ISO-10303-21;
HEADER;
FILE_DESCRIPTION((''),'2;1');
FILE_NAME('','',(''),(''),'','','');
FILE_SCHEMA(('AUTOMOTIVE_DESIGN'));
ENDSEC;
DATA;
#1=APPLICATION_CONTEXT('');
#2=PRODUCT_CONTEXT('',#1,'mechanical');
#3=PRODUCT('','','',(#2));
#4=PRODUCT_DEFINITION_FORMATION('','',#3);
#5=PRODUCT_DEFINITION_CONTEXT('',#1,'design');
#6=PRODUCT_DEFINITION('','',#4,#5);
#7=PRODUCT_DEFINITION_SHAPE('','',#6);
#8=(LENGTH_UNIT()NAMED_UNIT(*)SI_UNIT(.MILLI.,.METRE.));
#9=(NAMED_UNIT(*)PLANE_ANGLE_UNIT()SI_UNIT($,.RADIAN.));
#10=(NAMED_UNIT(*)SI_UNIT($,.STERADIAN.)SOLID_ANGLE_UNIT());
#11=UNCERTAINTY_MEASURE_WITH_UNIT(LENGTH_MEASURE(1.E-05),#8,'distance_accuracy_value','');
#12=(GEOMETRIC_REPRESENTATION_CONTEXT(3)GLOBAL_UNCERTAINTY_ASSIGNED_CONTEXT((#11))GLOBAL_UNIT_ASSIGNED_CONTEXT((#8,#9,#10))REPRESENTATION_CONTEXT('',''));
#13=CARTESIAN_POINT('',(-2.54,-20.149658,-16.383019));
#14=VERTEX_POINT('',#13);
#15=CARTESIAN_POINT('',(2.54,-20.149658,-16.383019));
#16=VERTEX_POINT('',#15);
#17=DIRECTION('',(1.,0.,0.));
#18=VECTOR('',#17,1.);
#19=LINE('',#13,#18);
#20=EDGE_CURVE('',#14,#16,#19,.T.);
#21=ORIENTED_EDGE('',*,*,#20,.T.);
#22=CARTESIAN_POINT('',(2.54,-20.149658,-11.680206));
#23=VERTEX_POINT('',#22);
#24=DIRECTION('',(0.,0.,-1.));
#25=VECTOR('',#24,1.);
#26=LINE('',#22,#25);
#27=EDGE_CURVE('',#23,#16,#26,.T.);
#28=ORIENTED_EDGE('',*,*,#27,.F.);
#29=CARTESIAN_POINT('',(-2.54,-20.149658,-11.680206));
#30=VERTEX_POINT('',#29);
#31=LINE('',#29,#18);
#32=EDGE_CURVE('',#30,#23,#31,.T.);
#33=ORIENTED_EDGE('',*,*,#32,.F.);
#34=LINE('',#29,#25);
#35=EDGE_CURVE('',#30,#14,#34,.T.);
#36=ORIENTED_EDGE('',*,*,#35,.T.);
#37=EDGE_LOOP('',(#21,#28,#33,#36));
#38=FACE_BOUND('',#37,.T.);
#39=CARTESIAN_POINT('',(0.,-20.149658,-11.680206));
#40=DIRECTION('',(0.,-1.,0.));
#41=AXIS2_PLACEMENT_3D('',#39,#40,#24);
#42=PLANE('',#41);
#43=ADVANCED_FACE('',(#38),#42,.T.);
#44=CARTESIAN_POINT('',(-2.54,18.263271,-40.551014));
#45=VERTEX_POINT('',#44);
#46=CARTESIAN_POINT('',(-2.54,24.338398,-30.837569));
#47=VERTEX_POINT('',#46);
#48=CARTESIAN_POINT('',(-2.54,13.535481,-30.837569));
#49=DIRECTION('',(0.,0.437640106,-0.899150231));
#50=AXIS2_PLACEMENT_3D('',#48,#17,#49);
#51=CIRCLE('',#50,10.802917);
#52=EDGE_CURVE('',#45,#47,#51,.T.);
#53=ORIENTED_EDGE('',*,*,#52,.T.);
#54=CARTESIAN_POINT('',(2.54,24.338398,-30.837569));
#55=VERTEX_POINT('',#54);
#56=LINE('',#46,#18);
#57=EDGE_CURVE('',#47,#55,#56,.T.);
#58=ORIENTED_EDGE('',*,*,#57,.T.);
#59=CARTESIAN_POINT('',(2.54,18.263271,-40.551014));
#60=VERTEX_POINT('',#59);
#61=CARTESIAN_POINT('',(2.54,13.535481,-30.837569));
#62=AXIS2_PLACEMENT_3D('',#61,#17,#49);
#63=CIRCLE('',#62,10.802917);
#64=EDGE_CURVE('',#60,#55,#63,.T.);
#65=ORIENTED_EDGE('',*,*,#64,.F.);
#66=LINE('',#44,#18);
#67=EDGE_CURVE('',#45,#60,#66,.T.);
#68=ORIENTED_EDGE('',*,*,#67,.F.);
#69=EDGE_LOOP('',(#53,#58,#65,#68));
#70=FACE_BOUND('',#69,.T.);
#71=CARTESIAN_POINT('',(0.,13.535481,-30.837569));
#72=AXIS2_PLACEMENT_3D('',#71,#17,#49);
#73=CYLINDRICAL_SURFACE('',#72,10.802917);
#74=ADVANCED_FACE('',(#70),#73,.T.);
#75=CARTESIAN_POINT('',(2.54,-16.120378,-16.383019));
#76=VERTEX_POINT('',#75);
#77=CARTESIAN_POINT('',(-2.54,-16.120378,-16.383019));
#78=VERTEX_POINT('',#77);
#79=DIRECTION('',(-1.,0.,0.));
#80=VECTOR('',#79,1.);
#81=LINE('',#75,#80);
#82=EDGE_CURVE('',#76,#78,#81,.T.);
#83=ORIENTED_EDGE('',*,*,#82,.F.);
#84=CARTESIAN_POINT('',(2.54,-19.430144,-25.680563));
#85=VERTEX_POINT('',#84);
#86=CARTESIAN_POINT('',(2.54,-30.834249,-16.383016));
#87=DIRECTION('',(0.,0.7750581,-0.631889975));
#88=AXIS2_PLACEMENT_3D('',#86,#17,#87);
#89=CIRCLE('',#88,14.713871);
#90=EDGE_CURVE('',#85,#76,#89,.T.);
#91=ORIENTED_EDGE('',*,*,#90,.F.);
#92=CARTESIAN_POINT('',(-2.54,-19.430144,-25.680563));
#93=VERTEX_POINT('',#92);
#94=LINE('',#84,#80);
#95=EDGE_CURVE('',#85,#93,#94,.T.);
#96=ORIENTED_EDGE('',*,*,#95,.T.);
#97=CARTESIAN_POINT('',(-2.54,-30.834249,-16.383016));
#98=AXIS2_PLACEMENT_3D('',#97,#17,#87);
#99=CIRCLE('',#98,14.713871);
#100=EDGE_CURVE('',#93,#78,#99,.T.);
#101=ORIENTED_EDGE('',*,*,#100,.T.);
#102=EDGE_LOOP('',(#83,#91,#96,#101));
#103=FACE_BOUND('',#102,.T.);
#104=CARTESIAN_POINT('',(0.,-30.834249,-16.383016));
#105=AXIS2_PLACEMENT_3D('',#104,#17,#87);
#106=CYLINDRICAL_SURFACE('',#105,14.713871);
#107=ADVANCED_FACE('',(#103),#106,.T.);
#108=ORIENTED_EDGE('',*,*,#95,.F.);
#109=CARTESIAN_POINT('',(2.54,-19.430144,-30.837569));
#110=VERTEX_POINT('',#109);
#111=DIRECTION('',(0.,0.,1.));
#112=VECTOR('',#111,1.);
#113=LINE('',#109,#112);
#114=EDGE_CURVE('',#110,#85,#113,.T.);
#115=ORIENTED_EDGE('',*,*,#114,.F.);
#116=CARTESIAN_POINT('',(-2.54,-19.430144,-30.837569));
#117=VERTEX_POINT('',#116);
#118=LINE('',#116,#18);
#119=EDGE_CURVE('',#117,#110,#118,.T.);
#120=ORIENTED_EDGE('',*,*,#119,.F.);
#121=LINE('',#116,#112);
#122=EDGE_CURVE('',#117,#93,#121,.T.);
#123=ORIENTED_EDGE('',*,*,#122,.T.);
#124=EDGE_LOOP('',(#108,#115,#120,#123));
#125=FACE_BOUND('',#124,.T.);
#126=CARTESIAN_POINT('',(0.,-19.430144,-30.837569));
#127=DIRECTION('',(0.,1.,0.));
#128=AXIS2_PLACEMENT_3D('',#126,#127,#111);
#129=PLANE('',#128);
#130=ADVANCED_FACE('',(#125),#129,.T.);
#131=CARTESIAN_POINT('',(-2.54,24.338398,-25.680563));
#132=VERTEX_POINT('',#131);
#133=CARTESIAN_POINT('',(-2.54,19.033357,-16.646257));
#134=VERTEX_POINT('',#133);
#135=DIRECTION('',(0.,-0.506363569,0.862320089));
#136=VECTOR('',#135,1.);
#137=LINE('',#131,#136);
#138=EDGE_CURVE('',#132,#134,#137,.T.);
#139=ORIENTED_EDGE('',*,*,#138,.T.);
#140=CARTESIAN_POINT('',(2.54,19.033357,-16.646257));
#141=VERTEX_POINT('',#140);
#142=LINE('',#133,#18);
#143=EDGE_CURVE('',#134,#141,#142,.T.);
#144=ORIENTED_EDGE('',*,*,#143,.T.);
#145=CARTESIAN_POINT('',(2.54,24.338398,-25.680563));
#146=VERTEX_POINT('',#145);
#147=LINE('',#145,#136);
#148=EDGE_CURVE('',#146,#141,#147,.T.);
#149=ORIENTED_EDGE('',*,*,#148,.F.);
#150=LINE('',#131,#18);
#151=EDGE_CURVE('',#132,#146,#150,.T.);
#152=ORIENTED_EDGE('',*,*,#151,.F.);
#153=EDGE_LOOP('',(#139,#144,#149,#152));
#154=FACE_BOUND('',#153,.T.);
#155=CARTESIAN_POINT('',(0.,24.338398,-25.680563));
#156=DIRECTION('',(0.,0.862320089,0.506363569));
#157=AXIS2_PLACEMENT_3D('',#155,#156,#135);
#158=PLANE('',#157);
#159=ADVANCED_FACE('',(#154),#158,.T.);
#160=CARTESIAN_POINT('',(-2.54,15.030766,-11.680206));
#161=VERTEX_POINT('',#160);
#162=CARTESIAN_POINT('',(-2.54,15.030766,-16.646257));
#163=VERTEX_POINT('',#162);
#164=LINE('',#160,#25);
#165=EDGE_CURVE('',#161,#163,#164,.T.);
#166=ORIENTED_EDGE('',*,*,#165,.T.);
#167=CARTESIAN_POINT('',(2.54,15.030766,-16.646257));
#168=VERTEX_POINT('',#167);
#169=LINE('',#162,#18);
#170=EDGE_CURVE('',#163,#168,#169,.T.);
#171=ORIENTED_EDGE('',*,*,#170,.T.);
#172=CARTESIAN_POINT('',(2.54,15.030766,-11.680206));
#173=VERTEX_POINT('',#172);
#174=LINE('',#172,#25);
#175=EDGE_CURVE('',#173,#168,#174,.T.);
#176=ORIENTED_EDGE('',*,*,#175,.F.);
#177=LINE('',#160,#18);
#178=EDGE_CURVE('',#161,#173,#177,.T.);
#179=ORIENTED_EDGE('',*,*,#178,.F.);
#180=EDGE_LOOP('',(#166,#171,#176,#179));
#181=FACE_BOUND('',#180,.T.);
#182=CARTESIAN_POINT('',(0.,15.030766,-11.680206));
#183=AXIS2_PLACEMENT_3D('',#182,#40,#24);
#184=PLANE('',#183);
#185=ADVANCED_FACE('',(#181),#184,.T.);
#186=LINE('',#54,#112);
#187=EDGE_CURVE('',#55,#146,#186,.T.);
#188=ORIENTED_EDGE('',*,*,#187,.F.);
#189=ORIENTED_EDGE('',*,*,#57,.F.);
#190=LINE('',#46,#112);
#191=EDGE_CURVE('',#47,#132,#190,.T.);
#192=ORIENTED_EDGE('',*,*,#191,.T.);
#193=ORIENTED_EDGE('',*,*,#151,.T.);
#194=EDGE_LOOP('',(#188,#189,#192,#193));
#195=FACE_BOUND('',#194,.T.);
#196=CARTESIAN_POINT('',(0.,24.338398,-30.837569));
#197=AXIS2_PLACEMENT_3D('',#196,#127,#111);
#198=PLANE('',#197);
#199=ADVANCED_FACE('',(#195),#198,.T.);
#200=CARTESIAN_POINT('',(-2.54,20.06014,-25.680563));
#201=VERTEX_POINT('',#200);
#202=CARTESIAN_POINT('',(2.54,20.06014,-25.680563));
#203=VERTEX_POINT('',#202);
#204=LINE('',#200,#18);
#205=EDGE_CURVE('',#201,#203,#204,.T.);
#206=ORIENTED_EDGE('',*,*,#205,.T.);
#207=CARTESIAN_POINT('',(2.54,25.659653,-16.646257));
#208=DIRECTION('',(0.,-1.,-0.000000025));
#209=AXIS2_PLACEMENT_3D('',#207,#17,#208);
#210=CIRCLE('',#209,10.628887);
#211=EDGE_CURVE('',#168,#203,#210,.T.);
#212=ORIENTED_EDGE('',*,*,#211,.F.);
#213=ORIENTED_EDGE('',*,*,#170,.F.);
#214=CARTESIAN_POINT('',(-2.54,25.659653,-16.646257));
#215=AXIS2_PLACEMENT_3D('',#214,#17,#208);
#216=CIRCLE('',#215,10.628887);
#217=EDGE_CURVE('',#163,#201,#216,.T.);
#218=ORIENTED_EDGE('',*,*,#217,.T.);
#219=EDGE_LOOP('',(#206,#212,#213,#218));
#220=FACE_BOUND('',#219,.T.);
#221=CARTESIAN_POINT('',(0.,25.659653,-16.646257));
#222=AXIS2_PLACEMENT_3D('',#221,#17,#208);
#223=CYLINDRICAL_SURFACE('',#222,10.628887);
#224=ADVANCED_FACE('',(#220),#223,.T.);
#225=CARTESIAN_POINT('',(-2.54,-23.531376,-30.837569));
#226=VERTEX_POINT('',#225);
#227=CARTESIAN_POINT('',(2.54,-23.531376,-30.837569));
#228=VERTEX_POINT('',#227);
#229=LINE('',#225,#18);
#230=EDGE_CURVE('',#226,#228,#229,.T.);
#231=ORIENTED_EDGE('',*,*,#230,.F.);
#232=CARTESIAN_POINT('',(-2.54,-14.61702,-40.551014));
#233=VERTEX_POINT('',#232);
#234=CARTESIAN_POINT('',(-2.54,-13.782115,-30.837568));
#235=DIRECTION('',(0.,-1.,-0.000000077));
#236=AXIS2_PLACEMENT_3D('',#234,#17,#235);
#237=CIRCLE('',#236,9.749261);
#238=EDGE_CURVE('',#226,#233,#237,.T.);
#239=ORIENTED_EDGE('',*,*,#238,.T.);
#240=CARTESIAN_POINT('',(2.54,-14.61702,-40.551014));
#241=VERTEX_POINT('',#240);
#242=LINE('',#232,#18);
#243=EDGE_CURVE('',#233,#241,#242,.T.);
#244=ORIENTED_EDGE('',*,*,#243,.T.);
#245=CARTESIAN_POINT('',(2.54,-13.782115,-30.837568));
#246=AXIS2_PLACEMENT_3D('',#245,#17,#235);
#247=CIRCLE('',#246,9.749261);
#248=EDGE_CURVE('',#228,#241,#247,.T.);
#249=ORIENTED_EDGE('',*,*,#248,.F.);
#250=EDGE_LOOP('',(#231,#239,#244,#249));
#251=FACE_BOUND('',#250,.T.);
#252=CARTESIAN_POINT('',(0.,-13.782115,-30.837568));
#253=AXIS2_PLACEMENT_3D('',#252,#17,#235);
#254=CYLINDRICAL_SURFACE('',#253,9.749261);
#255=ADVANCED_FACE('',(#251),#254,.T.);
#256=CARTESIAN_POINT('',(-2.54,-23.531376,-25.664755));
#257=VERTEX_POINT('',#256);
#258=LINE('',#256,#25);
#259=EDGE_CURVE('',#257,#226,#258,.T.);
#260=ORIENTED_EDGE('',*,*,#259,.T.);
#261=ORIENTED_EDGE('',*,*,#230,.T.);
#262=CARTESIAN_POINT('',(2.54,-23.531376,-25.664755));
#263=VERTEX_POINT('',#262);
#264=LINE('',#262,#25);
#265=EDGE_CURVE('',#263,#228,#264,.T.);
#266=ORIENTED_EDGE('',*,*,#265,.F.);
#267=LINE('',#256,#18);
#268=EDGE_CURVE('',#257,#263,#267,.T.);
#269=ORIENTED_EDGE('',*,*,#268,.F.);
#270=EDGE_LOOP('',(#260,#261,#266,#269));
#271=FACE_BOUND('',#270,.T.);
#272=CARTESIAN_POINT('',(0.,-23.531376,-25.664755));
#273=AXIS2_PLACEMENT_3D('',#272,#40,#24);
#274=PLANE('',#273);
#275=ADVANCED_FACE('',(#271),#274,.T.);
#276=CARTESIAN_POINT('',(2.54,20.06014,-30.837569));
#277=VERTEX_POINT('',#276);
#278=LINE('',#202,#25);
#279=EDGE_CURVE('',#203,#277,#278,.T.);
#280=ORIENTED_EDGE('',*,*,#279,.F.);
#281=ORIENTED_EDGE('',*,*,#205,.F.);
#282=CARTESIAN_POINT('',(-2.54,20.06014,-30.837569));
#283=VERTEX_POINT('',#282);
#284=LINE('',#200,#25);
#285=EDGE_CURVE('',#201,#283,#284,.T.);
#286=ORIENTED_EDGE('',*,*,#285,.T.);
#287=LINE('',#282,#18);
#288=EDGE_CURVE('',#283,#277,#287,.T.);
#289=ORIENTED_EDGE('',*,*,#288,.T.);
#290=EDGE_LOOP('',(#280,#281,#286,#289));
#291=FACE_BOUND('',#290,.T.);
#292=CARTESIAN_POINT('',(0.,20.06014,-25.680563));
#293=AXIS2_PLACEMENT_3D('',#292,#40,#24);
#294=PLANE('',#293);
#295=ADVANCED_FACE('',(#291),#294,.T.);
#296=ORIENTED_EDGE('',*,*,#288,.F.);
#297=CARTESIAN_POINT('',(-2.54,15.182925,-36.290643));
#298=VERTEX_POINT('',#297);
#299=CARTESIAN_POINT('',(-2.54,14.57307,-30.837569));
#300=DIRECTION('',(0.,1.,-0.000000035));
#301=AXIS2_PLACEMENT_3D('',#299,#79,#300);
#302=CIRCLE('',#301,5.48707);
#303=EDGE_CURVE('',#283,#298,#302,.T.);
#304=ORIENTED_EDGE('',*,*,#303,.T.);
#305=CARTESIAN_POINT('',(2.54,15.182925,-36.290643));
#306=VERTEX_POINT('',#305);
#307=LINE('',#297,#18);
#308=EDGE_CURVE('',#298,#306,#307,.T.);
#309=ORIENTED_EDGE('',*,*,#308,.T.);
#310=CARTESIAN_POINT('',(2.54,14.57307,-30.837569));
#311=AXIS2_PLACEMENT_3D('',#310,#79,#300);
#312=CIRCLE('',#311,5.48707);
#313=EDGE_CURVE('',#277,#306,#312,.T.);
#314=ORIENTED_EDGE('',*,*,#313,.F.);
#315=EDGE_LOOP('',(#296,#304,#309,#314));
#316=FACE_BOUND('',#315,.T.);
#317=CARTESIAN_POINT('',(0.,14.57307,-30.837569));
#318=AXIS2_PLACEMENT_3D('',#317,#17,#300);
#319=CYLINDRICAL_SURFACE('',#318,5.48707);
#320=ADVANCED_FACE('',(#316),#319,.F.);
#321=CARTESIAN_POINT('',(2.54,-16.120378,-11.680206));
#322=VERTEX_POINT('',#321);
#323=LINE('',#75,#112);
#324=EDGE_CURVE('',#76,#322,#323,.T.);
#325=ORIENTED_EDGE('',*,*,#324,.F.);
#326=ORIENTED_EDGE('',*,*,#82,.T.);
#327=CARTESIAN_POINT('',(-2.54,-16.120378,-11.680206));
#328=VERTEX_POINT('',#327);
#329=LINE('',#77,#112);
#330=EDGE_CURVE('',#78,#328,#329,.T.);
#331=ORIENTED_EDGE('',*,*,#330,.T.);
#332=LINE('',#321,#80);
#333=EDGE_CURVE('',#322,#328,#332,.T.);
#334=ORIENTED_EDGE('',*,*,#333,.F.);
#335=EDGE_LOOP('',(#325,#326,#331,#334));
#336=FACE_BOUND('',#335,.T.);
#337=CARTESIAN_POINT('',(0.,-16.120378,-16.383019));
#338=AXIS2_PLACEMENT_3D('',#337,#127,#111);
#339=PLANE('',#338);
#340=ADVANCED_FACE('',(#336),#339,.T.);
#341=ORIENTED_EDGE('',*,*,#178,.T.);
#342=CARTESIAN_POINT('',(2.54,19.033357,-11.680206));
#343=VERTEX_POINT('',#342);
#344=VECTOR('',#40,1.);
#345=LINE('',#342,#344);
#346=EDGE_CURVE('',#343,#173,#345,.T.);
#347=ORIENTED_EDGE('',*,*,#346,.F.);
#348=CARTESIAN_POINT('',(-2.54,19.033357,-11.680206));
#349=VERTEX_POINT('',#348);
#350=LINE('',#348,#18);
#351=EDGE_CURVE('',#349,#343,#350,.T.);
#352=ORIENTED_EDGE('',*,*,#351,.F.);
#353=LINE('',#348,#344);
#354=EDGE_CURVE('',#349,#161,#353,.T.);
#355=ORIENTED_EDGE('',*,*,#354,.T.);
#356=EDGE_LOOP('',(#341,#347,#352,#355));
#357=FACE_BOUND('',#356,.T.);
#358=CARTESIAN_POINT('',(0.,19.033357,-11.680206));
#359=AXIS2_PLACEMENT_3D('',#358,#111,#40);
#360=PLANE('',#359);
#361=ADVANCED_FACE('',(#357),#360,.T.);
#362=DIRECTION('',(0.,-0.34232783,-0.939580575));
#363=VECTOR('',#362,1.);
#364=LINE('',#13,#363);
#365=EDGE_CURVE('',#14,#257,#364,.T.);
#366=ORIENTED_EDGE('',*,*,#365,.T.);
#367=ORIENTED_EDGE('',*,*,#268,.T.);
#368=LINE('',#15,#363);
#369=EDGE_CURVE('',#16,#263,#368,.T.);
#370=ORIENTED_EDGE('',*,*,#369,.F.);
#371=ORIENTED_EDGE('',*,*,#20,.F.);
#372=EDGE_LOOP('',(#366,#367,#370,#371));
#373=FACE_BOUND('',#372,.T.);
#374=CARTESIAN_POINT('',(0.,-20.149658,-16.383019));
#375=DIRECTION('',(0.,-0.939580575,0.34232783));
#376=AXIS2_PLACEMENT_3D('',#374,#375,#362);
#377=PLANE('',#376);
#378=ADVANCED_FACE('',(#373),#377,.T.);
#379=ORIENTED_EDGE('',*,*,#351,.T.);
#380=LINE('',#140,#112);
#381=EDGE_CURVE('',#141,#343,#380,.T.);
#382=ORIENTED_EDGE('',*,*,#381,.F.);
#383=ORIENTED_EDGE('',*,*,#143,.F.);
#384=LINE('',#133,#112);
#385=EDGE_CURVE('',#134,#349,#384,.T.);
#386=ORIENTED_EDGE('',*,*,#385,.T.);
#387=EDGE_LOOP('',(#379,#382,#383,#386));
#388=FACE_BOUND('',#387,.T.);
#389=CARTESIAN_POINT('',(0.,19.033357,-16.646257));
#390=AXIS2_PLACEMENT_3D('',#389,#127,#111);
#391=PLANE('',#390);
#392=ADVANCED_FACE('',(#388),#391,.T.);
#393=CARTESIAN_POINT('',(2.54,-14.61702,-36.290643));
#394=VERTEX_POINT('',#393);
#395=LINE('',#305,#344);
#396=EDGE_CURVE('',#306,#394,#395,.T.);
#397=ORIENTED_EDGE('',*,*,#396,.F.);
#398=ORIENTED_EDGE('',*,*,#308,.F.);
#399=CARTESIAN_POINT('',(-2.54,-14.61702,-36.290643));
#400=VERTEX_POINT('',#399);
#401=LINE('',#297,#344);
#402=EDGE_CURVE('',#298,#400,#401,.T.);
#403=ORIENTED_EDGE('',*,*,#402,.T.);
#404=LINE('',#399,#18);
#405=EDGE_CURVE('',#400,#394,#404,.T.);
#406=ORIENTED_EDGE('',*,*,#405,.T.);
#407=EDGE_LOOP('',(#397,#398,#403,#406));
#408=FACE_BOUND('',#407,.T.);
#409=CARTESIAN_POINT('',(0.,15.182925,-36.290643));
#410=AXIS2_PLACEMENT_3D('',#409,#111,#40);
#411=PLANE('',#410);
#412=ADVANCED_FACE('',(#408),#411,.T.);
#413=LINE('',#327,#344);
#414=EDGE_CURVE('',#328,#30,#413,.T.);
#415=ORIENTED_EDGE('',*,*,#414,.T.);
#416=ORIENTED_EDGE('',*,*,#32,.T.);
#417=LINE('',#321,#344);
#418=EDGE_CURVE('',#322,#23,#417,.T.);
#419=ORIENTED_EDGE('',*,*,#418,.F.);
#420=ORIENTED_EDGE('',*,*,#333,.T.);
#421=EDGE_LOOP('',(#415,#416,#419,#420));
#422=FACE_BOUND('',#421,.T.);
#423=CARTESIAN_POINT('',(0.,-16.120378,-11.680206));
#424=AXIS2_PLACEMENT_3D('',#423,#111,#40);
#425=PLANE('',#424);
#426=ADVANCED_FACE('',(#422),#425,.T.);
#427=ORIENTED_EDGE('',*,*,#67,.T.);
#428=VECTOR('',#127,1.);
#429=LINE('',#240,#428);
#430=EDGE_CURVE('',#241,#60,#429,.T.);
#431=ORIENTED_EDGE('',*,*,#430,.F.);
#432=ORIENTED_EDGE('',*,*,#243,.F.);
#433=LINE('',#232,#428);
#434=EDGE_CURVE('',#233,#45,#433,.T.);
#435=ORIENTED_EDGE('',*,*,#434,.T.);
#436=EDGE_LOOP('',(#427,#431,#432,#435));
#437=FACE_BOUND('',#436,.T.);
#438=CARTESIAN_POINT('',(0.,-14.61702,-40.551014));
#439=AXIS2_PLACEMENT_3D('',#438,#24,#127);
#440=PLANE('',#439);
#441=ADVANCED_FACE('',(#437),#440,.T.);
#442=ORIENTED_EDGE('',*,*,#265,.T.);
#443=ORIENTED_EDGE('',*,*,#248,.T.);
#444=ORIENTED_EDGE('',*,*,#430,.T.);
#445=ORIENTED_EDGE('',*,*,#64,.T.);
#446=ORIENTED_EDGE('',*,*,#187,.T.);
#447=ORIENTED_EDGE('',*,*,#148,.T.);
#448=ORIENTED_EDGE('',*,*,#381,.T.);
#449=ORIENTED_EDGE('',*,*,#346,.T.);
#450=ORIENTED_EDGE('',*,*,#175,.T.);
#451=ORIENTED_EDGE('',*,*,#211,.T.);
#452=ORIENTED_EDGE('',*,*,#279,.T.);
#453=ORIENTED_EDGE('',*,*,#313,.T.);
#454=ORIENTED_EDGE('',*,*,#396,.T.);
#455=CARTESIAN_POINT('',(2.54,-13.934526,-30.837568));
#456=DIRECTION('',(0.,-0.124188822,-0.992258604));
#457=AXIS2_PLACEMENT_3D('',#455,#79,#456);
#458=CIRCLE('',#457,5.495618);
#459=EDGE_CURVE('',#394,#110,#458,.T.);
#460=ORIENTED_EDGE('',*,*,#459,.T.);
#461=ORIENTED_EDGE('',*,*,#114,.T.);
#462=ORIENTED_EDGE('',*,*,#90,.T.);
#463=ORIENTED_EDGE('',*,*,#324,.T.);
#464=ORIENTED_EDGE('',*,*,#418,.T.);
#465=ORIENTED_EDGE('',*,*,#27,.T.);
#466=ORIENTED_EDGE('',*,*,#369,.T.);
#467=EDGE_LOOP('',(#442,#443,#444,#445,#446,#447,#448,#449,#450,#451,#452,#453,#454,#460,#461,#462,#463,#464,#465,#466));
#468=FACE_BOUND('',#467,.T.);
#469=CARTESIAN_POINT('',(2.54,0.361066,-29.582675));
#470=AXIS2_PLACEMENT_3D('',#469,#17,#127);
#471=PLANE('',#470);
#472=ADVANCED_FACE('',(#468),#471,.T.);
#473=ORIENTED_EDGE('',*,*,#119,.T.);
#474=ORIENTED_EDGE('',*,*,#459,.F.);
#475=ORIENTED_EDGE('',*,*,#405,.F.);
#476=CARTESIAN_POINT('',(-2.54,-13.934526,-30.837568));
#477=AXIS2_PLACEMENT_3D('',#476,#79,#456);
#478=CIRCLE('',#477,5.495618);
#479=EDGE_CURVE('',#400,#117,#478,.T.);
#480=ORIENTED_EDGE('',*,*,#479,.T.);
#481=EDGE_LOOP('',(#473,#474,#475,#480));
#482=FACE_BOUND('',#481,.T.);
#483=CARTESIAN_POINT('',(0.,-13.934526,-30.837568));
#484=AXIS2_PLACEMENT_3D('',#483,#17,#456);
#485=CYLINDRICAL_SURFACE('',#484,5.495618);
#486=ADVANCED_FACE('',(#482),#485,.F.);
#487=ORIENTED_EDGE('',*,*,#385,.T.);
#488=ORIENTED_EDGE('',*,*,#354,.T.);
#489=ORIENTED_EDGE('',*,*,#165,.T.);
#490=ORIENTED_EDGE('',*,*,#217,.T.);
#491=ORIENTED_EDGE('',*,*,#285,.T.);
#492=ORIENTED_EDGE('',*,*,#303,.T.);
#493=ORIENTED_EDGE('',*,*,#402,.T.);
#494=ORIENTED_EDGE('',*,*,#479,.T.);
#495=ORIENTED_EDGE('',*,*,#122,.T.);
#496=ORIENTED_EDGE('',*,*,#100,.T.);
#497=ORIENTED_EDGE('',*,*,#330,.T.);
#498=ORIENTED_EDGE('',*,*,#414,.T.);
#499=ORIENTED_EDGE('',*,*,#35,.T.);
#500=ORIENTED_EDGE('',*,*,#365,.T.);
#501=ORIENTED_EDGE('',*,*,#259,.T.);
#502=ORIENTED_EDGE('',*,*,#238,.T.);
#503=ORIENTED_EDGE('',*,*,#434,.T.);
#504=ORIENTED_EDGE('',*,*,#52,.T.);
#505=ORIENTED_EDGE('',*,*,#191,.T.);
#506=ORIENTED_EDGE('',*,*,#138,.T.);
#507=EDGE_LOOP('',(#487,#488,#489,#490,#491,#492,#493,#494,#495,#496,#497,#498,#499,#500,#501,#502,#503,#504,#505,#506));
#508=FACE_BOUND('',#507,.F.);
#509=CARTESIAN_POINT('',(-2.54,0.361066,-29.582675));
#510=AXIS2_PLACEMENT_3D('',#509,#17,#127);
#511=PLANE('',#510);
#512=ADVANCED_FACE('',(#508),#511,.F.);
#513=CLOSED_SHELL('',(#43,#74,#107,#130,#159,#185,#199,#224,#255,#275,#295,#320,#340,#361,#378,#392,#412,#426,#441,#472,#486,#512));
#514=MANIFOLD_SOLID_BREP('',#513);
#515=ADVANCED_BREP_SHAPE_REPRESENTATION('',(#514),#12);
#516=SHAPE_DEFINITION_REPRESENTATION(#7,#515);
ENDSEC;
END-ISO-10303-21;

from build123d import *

# Parameters (mm, degrees)
F1_DEPTH = 2.54


with BuildPart() as f1:
    # F0 (on Right) → F1 (new body, symmetric)
    with BuildSketch(Plane.YZ):
        with BuildLine():
            Line((-16.120378, -11.680206), (-20.149658, -11.680206))
            Line((-20.149658, -11.680206), (-20.149658, -16.383019))
            Line((-20.149658, -16.383019), (-23.531376, -25.664755))
            Line((-23.531376, -25.664755), (-23.531376, -30.837569))
            ThreePointArc((-23.531376, -30.837569), (-20.965004, -37.429548), (-14.61702, -40.551014))
            Line((-14.61702, -40.551014), (18.263271, -40.551014))
            ThreePointArc((18.263271, -40.551014), (22.694546, -36.565967), (24.338398, -30.837569))
            Line((24.338398, -30.837569), (24.338398, -25.680563))
            Line((24.338398, -25.680563), (19.033357, -16.646257))
            Line((19.033357, -16.646257), (19.033357, -11.680206))
            Line((19.033357, -11.680206), (15.030766, -11.680206))
            Line((15.030766, -11.680206), (15.030766, -16.646257))
            ThreePointArc((15.030766, -16.646257), (16.372839, -21.816201), (20.06014, -25.680563))
            Line((20.06014, -25.680563), (20.06014, -30.837569))
            ThreePointArc((20.06014, -30.837569), (18.662951, -34.495548), (15.182925, -36.290643))
            Line((15.182925, -36.290643), (-14.61702, -36.290643))
            ThreePointArc((-14.61702, -36.290643), (-18.054753, -34.474263), (-19.430144, -30.837569))
            Line((-19.430144, -30.837569), (-19.430144, -25.680563))
            ThreePointArc((-19.430144, -25.680563), (-16.972494, -21.317562), (-16.120378, -16.383019))
            Line((-16.120378, -16.383019), (-16.120378, -11.680206))
        make_face()
    extrude(amount=F1_DEPTH, both=True)


solid = f1.part
